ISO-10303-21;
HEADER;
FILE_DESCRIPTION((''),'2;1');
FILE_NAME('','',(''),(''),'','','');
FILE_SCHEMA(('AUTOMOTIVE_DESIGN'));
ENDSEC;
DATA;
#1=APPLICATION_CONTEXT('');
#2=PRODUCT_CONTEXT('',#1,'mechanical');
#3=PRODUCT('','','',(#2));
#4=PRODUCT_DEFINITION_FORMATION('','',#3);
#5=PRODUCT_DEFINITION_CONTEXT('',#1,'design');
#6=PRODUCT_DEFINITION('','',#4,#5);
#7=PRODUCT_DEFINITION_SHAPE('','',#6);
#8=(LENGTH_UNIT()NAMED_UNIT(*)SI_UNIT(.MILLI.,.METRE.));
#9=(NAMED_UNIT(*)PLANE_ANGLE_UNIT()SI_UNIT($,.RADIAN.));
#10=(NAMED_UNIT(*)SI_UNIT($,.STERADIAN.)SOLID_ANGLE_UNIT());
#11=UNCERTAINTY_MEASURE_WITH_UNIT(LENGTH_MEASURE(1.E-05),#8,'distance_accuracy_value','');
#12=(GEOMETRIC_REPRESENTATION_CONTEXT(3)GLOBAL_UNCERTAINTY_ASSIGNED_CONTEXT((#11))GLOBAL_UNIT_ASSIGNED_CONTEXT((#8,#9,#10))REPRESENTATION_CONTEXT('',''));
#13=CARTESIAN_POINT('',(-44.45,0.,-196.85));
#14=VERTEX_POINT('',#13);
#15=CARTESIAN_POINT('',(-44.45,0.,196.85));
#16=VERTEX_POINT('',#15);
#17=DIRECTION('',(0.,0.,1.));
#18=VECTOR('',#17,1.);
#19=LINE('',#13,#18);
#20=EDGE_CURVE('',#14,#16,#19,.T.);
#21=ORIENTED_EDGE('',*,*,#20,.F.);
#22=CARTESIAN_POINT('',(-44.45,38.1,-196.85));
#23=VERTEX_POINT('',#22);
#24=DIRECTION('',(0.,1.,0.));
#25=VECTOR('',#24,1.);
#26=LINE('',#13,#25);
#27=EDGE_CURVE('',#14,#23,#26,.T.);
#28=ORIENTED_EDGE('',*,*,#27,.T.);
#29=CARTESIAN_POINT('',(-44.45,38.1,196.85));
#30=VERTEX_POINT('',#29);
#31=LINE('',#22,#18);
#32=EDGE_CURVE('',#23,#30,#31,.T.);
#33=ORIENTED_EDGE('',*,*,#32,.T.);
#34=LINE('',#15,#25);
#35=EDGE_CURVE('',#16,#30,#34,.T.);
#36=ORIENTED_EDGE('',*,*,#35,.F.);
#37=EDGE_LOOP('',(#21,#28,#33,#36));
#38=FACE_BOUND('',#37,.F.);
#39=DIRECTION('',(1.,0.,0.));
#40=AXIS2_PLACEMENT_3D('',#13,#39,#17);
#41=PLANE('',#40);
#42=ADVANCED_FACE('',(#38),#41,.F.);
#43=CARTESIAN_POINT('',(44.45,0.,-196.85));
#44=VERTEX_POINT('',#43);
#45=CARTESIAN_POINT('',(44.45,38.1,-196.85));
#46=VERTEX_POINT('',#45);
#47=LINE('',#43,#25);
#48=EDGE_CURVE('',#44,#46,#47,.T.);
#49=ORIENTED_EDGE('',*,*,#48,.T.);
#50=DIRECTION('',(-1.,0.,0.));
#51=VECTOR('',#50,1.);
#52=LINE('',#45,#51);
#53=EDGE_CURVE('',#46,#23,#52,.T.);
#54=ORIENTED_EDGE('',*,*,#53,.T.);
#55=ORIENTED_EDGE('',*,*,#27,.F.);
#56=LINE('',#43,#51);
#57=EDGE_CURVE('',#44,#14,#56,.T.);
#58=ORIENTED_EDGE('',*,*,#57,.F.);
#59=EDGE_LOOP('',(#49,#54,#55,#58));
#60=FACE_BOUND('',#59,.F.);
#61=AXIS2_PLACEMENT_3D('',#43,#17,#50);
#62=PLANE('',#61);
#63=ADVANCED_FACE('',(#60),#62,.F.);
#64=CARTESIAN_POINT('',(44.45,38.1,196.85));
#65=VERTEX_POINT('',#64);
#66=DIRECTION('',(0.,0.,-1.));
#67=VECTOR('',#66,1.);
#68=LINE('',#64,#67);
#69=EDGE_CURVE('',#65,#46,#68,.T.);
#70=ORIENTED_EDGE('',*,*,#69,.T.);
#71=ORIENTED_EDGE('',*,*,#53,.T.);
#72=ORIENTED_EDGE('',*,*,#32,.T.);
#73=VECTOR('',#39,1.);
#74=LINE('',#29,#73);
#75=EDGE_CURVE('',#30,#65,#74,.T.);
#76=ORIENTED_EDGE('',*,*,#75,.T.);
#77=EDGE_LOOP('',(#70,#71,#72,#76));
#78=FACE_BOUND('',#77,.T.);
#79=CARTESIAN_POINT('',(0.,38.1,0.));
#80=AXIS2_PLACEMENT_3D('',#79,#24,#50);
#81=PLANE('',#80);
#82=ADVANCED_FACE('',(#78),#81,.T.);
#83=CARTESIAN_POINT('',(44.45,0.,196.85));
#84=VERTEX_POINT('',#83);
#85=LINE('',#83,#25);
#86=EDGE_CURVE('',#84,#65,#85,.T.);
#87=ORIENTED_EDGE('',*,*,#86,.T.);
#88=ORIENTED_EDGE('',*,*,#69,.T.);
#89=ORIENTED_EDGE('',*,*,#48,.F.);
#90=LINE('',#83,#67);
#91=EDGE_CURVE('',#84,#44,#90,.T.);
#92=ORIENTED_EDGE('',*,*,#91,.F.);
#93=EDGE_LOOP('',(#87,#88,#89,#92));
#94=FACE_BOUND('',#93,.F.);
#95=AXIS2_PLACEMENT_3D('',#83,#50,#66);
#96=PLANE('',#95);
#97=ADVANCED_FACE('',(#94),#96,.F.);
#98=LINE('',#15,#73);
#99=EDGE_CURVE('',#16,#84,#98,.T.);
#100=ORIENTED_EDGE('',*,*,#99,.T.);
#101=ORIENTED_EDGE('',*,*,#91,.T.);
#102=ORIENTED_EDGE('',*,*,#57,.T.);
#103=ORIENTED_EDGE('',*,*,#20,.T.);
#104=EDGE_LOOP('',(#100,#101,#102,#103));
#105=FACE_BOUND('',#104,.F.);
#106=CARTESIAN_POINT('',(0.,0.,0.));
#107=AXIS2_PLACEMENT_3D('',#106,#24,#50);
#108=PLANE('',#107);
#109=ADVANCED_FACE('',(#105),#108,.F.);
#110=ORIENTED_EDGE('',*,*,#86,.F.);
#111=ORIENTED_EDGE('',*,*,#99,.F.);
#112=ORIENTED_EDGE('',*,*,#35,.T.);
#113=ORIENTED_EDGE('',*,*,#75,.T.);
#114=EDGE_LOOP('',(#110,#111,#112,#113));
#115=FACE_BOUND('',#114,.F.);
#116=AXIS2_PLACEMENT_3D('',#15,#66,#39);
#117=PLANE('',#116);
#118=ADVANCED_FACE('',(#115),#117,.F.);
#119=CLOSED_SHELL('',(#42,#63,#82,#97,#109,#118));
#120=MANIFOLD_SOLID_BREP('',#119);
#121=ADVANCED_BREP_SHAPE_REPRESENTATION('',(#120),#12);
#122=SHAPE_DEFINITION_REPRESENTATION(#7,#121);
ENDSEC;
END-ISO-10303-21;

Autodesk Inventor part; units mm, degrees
ref_plane "YZ Plane" through (0, 0, 0) normal (1, 0, 0) x (0, 1, 0)
ref_plane "XZ Plane" through (0, 0, 0) normal (0, 1, 0) x (-1, 0, 0)
ref_plane "XY Plane" through (0, 0, 0) normal (0, 0, 1) x (1, 0, 0)
sketch "Sketch1" plane through (0, 0, 0) normal (0, 1, 0) x (-1, 0, 0)
  line L0 (-44.45, 196.85) -> (-44.45, -196.85)
  line L1 (-44.45, -196.85) -> (44.45, -196.85)
  line L2 (44.45, -196.85) -> (44.45, 196.85)
  line L3 (44.45, 196.85) -> (-44.45, 196.85)
  line L4 (-44.45, 196.85) -> (44.45, -196.85) construction
  line L5 (-44.45, -196.85) -> (44.45, 196.85) construction
  point P0 (0, 0)
  dimension "d0" = 88.9
  dimension "length" = 393.7
extrude "Extrusion1" add sketch "Sketch1" along normal blind 38.1
properties part number "2x4 15.5 Inch"
